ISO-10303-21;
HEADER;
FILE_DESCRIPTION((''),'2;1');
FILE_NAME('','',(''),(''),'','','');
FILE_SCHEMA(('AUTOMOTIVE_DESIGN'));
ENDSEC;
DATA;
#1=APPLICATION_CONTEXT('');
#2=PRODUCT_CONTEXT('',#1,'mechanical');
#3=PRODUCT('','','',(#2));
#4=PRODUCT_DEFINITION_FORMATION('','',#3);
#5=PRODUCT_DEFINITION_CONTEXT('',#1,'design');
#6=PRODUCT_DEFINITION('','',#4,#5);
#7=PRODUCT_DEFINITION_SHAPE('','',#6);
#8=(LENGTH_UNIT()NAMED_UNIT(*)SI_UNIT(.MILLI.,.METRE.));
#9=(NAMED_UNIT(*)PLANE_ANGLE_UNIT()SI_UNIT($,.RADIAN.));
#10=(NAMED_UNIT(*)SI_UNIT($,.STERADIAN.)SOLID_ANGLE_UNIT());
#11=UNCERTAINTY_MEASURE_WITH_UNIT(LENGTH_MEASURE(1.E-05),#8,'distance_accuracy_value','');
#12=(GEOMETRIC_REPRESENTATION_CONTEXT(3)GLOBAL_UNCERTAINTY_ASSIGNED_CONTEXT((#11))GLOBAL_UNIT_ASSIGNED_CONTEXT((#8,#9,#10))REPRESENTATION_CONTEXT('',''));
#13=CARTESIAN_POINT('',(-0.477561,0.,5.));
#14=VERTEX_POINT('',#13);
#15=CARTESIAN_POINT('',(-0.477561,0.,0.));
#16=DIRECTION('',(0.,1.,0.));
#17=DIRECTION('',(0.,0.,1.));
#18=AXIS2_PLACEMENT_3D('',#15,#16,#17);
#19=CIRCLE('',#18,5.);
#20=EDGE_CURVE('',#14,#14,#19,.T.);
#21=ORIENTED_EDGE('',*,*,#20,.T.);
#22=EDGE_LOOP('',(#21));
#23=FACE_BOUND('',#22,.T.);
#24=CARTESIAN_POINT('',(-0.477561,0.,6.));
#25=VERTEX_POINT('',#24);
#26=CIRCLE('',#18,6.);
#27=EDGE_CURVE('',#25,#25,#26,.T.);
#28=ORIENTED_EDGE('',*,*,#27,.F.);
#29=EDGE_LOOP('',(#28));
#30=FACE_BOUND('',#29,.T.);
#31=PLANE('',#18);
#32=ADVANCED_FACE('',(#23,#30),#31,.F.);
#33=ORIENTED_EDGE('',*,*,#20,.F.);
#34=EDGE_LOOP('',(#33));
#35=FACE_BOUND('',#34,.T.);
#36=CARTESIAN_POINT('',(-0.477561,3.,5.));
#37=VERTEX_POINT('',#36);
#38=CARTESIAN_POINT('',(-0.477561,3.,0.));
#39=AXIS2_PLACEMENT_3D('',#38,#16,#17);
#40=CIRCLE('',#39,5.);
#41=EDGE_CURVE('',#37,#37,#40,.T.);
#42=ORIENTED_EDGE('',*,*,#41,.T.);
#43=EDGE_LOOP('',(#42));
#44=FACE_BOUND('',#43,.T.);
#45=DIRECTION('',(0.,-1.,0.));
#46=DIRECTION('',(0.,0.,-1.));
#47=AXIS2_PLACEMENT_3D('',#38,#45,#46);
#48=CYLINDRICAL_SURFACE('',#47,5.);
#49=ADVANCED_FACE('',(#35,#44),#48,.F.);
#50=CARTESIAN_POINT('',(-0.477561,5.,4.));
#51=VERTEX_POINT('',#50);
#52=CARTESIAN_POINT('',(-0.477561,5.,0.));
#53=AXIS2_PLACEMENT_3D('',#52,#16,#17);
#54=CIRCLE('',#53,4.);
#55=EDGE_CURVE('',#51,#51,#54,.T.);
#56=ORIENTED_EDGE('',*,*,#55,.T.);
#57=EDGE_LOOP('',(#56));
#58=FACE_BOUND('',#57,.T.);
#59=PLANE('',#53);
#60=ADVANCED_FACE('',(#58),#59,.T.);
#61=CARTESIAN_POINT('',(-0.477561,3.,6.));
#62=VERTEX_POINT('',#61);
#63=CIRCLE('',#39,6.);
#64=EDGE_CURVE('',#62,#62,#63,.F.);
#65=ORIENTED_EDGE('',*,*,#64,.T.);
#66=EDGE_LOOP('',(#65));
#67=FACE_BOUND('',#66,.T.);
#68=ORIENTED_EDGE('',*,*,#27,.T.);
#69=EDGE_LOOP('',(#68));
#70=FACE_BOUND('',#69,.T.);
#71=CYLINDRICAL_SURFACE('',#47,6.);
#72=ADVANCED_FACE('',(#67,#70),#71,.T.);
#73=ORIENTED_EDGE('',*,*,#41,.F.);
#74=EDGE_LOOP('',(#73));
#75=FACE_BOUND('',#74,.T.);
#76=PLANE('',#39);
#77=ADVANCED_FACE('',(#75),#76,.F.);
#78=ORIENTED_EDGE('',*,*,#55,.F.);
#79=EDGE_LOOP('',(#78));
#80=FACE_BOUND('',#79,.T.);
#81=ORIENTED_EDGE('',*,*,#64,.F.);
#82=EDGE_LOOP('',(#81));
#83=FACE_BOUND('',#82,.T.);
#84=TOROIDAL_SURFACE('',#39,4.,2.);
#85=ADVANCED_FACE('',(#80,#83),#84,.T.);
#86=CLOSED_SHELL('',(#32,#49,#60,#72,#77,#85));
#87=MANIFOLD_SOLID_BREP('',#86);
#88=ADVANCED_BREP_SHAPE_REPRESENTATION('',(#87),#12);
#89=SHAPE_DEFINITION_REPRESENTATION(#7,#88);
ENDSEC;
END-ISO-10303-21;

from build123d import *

# Parameters (mm, degrees)
SKETCH1_R           = 6
SKETCH1_R_2         = 5
BOSS_EXTRUDE1_DEPTH = 3
SKETCH2_R           = 6
BOSS_EXTRUDE2_DEPTH = 2
FILLET1_R           = 2


with BuildPart() as part:
    # Sketch1 → Boss-Extrude1 (new body)
    with BuildSketch(Plane(origin=(0, 0, 0), x_dir=(1, 0, 0), z_dir=(0, 1, 0))):
        with Locations((-0.477560777, 0)):
            Circle(SKETCH1_R)
        with Locations((-0.477560777, 0)):
            Circle(SKETCH1_R_2, mode=Mode.SUBTRACT)
    extrude(amount=BOSS_EXTRUDE1_DEPTH)

    # Sketch2 → Boss-Extrude2 (add)
    with BuildSketch(Plane(origin=(0, 3, 0), x_dir=(1, 0, 0), z_dir=(0, 1, 0))):
        with Locations((-0.477560777, 0)):
            Circle(SKETCH2_R)
    extrude(amount=BOSS_EXTRUDE2_DEPTH)

    # Fillet1
    fillet1_edges = [part.edges().sort_by_distance(p)[0] for p in [
        (-6.477560777, 5, 0),
    ]]
    fillet(fillet1_edges, radius=FILLET1_R)


solid = part.part
